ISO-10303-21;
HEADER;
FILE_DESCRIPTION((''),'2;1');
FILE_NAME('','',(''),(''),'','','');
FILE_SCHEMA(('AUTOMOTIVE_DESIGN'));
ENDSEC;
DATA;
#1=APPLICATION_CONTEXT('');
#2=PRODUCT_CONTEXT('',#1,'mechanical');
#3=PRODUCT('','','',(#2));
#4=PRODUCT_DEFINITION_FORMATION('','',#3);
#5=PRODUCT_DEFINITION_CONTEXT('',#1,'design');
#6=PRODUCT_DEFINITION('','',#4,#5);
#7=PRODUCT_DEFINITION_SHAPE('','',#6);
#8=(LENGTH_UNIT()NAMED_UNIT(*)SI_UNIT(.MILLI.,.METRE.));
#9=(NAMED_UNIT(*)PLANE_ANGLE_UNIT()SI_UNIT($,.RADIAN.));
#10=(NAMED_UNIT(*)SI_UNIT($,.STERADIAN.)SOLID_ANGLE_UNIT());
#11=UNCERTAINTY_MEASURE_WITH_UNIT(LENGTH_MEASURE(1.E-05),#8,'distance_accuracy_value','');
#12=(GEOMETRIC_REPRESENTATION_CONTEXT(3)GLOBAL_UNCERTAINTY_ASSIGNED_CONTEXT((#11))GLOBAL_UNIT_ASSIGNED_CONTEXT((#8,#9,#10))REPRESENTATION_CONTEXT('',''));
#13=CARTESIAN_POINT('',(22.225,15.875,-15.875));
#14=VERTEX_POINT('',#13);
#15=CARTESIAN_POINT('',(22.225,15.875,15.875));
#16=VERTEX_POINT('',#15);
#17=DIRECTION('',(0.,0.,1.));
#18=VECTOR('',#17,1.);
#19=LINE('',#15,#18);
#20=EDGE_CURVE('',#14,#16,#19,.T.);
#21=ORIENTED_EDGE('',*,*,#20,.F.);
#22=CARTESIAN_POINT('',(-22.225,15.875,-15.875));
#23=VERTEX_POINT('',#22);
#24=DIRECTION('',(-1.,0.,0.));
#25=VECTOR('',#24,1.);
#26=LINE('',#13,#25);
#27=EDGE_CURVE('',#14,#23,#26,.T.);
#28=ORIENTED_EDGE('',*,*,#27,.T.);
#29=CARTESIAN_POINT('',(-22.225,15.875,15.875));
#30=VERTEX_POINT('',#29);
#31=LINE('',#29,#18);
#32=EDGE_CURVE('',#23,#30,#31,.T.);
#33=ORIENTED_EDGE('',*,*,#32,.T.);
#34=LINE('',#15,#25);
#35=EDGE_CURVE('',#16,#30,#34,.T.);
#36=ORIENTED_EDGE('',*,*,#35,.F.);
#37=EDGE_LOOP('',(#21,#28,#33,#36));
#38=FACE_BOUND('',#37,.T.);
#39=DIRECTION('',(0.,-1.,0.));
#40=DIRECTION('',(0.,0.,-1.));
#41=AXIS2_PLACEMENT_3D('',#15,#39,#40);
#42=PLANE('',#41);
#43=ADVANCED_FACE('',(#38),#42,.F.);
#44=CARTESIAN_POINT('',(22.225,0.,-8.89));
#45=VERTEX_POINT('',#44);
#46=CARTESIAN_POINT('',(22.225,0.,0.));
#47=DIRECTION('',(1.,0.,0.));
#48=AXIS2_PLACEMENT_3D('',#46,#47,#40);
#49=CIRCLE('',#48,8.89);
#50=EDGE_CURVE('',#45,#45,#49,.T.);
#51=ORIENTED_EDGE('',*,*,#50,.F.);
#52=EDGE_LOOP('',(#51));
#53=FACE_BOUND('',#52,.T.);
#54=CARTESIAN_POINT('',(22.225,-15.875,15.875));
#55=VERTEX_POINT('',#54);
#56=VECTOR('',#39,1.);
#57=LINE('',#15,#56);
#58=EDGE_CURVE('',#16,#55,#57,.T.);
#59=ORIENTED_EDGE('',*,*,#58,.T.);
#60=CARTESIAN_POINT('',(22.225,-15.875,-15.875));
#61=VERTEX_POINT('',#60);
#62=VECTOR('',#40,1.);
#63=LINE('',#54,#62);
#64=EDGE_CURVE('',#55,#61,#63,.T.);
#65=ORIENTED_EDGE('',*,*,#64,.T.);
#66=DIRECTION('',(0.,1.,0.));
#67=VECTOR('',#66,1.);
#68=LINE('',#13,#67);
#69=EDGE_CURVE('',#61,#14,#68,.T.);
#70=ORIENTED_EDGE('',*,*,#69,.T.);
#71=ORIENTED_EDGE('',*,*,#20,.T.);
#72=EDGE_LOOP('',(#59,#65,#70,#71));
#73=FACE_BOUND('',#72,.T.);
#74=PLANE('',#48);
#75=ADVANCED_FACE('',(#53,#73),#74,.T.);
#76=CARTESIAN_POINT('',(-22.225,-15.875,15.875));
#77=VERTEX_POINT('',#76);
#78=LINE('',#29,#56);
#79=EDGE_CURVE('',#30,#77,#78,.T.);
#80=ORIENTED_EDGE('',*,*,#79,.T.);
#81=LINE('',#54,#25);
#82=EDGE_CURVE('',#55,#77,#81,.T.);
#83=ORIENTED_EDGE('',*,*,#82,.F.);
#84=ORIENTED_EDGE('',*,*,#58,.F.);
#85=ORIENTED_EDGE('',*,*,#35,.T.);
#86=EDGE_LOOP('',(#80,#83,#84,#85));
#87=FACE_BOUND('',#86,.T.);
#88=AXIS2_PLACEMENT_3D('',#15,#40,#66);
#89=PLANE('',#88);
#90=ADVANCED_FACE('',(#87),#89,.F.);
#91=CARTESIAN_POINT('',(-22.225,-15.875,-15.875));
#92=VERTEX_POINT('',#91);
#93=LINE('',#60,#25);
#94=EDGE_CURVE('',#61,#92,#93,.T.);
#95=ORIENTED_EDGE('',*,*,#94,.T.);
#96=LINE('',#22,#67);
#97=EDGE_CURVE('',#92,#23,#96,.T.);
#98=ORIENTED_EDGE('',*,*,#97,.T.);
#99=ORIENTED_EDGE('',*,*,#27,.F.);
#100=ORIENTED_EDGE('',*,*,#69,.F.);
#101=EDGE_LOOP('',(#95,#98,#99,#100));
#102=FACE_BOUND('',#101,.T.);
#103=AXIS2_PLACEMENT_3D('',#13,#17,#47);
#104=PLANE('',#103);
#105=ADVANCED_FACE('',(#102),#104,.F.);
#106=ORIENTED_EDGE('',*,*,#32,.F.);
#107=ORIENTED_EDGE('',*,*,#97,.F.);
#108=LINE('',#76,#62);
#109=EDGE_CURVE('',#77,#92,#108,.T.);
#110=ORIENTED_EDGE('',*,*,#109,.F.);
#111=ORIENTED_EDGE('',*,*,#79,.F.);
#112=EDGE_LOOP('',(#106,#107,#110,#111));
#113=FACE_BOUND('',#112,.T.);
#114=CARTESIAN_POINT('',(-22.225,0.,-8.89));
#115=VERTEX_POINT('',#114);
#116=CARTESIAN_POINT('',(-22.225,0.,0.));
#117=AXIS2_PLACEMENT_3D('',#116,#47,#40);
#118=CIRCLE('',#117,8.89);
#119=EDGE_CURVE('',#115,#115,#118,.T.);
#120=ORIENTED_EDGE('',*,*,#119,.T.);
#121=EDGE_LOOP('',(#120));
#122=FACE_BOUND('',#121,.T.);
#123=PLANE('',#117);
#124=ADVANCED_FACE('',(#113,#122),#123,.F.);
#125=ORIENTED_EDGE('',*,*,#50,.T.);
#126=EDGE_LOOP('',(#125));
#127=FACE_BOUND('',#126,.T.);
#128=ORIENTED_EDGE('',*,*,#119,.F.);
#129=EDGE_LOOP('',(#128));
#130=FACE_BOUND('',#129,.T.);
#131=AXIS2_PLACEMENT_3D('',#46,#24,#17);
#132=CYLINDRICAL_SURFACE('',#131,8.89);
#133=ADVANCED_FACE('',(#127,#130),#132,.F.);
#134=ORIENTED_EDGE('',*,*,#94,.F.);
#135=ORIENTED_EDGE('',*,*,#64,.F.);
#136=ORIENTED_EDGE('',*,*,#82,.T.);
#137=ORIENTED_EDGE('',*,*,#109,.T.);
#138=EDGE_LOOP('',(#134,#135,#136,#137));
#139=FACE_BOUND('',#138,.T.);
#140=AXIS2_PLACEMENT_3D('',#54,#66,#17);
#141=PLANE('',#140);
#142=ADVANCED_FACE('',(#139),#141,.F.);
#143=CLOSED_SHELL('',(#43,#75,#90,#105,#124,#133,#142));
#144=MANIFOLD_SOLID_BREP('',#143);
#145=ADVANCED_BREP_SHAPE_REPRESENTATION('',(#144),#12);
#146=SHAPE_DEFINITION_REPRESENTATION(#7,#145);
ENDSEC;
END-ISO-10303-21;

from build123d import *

# Parameters (mm, degrees)
SKETCH1_W           = 31.75
SKETCH1_H           = 31.75
SKETCH1_R           = 8.89
BOSS_EXTRUDE1_DEPTH = 22.225


with BuildPart() as part:
    # Sketch1 → Boss-Extrude1 (new body, symmetric)
    with BuildSketch(Plane(origin=(0, 0, 0), x_dir=(0, 0, -1), z_dir=(1, 0, 0))):
        Rectangle(SKETCH1_W, SKETCH1_H)
        Circle(SKETCH1_R, mode=Mode.SUBTRACT)
    extrude(amount=BOSS_EXTRUDE1_DEPTH, both=True)


solid = part.part
